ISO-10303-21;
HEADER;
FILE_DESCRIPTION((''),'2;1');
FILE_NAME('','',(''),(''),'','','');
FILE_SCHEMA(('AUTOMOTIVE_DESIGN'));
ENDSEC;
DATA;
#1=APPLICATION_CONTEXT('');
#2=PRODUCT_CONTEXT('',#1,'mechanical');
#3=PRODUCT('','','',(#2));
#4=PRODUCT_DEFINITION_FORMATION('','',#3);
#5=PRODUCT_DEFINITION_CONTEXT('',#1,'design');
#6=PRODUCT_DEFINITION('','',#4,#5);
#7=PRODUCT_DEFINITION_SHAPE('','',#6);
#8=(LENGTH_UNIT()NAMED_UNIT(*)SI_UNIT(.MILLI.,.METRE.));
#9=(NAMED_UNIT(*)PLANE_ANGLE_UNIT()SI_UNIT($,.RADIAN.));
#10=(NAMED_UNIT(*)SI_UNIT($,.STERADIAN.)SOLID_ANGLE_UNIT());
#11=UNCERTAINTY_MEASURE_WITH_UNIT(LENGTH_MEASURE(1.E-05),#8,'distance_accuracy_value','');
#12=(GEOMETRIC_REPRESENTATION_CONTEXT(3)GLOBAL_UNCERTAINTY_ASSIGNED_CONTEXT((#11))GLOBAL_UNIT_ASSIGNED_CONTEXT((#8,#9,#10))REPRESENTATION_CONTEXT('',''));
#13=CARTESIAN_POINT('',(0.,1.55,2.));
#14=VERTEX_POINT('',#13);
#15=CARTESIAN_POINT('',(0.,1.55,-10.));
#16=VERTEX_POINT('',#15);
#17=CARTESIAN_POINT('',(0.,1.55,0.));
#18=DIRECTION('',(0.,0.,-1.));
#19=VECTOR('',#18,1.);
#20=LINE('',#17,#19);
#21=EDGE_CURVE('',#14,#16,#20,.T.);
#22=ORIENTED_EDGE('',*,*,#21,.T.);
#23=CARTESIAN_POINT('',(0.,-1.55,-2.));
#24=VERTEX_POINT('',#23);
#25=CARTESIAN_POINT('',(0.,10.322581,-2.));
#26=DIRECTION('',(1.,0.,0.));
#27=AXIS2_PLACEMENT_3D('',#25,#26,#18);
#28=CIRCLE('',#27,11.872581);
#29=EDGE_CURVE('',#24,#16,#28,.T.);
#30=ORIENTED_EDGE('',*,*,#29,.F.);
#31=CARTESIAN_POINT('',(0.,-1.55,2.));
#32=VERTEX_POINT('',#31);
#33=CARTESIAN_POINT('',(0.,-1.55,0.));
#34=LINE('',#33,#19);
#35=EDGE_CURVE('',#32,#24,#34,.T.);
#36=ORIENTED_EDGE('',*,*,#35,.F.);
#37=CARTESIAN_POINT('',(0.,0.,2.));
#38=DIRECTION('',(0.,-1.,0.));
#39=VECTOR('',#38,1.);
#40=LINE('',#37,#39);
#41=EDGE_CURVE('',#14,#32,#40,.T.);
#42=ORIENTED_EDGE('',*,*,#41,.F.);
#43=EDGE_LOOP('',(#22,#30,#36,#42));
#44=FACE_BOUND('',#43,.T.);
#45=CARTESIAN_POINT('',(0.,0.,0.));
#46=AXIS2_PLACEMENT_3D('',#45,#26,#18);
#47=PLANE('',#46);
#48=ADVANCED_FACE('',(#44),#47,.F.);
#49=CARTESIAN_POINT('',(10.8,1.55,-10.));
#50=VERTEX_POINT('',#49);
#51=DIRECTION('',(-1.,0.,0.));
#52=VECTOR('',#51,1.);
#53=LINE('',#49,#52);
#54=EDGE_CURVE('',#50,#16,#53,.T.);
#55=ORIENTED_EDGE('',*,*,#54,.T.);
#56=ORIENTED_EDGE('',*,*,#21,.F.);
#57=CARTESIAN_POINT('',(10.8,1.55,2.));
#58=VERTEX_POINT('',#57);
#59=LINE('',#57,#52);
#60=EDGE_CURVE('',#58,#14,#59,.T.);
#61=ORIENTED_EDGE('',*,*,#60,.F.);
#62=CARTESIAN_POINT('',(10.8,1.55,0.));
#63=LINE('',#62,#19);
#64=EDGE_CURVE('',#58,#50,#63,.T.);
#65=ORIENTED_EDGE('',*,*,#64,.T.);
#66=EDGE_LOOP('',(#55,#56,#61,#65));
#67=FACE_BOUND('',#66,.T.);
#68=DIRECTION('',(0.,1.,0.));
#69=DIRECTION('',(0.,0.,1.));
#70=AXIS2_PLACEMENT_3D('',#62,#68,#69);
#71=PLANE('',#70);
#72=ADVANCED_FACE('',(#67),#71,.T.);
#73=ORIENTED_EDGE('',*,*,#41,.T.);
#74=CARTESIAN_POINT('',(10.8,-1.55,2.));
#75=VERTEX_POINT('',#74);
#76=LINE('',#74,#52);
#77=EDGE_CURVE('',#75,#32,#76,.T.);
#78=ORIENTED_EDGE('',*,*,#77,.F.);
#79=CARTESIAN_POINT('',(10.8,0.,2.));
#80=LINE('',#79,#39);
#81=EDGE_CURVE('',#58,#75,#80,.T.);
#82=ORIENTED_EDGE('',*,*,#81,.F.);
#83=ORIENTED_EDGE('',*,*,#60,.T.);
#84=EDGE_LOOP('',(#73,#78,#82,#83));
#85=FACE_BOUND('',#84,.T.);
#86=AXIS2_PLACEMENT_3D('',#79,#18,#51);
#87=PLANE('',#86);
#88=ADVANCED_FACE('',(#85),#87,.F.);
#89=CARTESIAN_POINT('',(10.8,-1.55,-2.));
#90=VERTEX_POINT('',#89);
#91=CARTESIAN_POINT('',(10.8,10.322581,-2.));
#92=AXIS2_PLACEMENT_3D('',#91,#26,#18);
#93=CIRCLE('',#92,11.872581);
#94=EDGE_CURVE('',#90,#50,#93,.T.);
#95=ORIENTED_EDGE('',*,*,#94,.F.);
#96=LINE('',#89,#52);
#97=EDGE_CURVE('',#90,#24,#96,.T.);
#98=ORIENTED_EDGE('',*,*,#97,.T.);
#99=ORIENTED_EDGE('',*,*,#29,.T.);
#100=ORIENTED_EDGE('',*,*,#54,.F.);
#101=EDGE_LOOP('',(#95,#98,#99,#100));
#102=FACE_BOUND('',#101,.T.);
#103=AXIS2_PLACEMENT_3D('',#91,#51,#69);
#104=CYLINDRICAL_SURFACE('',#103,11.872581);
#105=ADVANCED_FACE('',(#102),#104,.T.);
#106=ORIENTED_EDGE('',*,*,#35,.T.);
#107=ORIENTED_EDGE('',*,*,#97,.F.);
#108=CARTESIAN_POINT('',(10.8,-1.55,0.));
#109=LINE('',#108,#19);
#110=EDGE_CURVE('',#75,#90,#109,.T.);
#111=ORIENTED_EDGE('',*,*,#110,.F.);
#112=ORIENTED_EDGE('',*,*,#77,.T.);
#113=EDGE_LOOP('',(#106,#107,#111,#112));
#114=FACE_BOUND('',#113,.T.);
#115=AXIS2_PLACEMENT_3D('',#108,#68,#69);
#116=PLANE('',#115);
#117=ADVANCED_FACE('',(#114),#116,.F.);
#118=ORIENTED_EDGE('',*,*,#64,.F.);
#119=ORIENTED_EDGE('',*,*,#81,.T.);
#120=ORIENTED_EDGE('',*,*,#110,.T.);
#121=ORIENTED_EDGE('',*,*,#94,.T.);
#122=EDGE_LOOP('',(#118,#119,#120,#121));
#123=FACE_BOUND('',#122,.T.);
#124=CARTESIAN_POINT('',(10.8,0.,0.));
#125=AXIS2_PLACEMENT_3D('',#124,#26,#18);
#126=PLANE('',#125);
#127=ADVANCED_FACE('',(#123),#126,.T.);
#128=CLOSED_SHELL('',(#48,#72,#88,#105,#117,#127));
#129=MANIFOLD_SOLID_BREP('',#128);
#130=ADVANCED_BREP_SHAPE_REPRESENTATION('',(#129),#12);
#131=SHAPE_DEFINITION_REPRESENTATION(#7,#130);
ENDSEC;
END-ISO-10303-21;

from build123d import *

# Parameters (mm, degrees)
BOSS_EXTRUDE1_DEPTH = 10.8


with BuildPart() as part:
    # Sketch3 → Boss-Extrude1 (new body)
    with BuildSketch(Plane(origin=(0, 0, 0), x_dir=(0, 0, -1), z_dir=(1, 0, 0))):
        with BuildLine():
            Line((-2, -1.55), (0, -1.55))
            Line((0, -1.55), (2, -1.55))
            ThreePointArc((2, -1.55), (6.289813516, -0.747905847), (10, 1.55))
            Line((10, 1.55), (-2, 1.55))
            Line((-2, 1.55), (-2, -1.55))
        make_face()
    extrude(amount=BOSS_EXTRUDE1_DEPTH)


solid = part.part
